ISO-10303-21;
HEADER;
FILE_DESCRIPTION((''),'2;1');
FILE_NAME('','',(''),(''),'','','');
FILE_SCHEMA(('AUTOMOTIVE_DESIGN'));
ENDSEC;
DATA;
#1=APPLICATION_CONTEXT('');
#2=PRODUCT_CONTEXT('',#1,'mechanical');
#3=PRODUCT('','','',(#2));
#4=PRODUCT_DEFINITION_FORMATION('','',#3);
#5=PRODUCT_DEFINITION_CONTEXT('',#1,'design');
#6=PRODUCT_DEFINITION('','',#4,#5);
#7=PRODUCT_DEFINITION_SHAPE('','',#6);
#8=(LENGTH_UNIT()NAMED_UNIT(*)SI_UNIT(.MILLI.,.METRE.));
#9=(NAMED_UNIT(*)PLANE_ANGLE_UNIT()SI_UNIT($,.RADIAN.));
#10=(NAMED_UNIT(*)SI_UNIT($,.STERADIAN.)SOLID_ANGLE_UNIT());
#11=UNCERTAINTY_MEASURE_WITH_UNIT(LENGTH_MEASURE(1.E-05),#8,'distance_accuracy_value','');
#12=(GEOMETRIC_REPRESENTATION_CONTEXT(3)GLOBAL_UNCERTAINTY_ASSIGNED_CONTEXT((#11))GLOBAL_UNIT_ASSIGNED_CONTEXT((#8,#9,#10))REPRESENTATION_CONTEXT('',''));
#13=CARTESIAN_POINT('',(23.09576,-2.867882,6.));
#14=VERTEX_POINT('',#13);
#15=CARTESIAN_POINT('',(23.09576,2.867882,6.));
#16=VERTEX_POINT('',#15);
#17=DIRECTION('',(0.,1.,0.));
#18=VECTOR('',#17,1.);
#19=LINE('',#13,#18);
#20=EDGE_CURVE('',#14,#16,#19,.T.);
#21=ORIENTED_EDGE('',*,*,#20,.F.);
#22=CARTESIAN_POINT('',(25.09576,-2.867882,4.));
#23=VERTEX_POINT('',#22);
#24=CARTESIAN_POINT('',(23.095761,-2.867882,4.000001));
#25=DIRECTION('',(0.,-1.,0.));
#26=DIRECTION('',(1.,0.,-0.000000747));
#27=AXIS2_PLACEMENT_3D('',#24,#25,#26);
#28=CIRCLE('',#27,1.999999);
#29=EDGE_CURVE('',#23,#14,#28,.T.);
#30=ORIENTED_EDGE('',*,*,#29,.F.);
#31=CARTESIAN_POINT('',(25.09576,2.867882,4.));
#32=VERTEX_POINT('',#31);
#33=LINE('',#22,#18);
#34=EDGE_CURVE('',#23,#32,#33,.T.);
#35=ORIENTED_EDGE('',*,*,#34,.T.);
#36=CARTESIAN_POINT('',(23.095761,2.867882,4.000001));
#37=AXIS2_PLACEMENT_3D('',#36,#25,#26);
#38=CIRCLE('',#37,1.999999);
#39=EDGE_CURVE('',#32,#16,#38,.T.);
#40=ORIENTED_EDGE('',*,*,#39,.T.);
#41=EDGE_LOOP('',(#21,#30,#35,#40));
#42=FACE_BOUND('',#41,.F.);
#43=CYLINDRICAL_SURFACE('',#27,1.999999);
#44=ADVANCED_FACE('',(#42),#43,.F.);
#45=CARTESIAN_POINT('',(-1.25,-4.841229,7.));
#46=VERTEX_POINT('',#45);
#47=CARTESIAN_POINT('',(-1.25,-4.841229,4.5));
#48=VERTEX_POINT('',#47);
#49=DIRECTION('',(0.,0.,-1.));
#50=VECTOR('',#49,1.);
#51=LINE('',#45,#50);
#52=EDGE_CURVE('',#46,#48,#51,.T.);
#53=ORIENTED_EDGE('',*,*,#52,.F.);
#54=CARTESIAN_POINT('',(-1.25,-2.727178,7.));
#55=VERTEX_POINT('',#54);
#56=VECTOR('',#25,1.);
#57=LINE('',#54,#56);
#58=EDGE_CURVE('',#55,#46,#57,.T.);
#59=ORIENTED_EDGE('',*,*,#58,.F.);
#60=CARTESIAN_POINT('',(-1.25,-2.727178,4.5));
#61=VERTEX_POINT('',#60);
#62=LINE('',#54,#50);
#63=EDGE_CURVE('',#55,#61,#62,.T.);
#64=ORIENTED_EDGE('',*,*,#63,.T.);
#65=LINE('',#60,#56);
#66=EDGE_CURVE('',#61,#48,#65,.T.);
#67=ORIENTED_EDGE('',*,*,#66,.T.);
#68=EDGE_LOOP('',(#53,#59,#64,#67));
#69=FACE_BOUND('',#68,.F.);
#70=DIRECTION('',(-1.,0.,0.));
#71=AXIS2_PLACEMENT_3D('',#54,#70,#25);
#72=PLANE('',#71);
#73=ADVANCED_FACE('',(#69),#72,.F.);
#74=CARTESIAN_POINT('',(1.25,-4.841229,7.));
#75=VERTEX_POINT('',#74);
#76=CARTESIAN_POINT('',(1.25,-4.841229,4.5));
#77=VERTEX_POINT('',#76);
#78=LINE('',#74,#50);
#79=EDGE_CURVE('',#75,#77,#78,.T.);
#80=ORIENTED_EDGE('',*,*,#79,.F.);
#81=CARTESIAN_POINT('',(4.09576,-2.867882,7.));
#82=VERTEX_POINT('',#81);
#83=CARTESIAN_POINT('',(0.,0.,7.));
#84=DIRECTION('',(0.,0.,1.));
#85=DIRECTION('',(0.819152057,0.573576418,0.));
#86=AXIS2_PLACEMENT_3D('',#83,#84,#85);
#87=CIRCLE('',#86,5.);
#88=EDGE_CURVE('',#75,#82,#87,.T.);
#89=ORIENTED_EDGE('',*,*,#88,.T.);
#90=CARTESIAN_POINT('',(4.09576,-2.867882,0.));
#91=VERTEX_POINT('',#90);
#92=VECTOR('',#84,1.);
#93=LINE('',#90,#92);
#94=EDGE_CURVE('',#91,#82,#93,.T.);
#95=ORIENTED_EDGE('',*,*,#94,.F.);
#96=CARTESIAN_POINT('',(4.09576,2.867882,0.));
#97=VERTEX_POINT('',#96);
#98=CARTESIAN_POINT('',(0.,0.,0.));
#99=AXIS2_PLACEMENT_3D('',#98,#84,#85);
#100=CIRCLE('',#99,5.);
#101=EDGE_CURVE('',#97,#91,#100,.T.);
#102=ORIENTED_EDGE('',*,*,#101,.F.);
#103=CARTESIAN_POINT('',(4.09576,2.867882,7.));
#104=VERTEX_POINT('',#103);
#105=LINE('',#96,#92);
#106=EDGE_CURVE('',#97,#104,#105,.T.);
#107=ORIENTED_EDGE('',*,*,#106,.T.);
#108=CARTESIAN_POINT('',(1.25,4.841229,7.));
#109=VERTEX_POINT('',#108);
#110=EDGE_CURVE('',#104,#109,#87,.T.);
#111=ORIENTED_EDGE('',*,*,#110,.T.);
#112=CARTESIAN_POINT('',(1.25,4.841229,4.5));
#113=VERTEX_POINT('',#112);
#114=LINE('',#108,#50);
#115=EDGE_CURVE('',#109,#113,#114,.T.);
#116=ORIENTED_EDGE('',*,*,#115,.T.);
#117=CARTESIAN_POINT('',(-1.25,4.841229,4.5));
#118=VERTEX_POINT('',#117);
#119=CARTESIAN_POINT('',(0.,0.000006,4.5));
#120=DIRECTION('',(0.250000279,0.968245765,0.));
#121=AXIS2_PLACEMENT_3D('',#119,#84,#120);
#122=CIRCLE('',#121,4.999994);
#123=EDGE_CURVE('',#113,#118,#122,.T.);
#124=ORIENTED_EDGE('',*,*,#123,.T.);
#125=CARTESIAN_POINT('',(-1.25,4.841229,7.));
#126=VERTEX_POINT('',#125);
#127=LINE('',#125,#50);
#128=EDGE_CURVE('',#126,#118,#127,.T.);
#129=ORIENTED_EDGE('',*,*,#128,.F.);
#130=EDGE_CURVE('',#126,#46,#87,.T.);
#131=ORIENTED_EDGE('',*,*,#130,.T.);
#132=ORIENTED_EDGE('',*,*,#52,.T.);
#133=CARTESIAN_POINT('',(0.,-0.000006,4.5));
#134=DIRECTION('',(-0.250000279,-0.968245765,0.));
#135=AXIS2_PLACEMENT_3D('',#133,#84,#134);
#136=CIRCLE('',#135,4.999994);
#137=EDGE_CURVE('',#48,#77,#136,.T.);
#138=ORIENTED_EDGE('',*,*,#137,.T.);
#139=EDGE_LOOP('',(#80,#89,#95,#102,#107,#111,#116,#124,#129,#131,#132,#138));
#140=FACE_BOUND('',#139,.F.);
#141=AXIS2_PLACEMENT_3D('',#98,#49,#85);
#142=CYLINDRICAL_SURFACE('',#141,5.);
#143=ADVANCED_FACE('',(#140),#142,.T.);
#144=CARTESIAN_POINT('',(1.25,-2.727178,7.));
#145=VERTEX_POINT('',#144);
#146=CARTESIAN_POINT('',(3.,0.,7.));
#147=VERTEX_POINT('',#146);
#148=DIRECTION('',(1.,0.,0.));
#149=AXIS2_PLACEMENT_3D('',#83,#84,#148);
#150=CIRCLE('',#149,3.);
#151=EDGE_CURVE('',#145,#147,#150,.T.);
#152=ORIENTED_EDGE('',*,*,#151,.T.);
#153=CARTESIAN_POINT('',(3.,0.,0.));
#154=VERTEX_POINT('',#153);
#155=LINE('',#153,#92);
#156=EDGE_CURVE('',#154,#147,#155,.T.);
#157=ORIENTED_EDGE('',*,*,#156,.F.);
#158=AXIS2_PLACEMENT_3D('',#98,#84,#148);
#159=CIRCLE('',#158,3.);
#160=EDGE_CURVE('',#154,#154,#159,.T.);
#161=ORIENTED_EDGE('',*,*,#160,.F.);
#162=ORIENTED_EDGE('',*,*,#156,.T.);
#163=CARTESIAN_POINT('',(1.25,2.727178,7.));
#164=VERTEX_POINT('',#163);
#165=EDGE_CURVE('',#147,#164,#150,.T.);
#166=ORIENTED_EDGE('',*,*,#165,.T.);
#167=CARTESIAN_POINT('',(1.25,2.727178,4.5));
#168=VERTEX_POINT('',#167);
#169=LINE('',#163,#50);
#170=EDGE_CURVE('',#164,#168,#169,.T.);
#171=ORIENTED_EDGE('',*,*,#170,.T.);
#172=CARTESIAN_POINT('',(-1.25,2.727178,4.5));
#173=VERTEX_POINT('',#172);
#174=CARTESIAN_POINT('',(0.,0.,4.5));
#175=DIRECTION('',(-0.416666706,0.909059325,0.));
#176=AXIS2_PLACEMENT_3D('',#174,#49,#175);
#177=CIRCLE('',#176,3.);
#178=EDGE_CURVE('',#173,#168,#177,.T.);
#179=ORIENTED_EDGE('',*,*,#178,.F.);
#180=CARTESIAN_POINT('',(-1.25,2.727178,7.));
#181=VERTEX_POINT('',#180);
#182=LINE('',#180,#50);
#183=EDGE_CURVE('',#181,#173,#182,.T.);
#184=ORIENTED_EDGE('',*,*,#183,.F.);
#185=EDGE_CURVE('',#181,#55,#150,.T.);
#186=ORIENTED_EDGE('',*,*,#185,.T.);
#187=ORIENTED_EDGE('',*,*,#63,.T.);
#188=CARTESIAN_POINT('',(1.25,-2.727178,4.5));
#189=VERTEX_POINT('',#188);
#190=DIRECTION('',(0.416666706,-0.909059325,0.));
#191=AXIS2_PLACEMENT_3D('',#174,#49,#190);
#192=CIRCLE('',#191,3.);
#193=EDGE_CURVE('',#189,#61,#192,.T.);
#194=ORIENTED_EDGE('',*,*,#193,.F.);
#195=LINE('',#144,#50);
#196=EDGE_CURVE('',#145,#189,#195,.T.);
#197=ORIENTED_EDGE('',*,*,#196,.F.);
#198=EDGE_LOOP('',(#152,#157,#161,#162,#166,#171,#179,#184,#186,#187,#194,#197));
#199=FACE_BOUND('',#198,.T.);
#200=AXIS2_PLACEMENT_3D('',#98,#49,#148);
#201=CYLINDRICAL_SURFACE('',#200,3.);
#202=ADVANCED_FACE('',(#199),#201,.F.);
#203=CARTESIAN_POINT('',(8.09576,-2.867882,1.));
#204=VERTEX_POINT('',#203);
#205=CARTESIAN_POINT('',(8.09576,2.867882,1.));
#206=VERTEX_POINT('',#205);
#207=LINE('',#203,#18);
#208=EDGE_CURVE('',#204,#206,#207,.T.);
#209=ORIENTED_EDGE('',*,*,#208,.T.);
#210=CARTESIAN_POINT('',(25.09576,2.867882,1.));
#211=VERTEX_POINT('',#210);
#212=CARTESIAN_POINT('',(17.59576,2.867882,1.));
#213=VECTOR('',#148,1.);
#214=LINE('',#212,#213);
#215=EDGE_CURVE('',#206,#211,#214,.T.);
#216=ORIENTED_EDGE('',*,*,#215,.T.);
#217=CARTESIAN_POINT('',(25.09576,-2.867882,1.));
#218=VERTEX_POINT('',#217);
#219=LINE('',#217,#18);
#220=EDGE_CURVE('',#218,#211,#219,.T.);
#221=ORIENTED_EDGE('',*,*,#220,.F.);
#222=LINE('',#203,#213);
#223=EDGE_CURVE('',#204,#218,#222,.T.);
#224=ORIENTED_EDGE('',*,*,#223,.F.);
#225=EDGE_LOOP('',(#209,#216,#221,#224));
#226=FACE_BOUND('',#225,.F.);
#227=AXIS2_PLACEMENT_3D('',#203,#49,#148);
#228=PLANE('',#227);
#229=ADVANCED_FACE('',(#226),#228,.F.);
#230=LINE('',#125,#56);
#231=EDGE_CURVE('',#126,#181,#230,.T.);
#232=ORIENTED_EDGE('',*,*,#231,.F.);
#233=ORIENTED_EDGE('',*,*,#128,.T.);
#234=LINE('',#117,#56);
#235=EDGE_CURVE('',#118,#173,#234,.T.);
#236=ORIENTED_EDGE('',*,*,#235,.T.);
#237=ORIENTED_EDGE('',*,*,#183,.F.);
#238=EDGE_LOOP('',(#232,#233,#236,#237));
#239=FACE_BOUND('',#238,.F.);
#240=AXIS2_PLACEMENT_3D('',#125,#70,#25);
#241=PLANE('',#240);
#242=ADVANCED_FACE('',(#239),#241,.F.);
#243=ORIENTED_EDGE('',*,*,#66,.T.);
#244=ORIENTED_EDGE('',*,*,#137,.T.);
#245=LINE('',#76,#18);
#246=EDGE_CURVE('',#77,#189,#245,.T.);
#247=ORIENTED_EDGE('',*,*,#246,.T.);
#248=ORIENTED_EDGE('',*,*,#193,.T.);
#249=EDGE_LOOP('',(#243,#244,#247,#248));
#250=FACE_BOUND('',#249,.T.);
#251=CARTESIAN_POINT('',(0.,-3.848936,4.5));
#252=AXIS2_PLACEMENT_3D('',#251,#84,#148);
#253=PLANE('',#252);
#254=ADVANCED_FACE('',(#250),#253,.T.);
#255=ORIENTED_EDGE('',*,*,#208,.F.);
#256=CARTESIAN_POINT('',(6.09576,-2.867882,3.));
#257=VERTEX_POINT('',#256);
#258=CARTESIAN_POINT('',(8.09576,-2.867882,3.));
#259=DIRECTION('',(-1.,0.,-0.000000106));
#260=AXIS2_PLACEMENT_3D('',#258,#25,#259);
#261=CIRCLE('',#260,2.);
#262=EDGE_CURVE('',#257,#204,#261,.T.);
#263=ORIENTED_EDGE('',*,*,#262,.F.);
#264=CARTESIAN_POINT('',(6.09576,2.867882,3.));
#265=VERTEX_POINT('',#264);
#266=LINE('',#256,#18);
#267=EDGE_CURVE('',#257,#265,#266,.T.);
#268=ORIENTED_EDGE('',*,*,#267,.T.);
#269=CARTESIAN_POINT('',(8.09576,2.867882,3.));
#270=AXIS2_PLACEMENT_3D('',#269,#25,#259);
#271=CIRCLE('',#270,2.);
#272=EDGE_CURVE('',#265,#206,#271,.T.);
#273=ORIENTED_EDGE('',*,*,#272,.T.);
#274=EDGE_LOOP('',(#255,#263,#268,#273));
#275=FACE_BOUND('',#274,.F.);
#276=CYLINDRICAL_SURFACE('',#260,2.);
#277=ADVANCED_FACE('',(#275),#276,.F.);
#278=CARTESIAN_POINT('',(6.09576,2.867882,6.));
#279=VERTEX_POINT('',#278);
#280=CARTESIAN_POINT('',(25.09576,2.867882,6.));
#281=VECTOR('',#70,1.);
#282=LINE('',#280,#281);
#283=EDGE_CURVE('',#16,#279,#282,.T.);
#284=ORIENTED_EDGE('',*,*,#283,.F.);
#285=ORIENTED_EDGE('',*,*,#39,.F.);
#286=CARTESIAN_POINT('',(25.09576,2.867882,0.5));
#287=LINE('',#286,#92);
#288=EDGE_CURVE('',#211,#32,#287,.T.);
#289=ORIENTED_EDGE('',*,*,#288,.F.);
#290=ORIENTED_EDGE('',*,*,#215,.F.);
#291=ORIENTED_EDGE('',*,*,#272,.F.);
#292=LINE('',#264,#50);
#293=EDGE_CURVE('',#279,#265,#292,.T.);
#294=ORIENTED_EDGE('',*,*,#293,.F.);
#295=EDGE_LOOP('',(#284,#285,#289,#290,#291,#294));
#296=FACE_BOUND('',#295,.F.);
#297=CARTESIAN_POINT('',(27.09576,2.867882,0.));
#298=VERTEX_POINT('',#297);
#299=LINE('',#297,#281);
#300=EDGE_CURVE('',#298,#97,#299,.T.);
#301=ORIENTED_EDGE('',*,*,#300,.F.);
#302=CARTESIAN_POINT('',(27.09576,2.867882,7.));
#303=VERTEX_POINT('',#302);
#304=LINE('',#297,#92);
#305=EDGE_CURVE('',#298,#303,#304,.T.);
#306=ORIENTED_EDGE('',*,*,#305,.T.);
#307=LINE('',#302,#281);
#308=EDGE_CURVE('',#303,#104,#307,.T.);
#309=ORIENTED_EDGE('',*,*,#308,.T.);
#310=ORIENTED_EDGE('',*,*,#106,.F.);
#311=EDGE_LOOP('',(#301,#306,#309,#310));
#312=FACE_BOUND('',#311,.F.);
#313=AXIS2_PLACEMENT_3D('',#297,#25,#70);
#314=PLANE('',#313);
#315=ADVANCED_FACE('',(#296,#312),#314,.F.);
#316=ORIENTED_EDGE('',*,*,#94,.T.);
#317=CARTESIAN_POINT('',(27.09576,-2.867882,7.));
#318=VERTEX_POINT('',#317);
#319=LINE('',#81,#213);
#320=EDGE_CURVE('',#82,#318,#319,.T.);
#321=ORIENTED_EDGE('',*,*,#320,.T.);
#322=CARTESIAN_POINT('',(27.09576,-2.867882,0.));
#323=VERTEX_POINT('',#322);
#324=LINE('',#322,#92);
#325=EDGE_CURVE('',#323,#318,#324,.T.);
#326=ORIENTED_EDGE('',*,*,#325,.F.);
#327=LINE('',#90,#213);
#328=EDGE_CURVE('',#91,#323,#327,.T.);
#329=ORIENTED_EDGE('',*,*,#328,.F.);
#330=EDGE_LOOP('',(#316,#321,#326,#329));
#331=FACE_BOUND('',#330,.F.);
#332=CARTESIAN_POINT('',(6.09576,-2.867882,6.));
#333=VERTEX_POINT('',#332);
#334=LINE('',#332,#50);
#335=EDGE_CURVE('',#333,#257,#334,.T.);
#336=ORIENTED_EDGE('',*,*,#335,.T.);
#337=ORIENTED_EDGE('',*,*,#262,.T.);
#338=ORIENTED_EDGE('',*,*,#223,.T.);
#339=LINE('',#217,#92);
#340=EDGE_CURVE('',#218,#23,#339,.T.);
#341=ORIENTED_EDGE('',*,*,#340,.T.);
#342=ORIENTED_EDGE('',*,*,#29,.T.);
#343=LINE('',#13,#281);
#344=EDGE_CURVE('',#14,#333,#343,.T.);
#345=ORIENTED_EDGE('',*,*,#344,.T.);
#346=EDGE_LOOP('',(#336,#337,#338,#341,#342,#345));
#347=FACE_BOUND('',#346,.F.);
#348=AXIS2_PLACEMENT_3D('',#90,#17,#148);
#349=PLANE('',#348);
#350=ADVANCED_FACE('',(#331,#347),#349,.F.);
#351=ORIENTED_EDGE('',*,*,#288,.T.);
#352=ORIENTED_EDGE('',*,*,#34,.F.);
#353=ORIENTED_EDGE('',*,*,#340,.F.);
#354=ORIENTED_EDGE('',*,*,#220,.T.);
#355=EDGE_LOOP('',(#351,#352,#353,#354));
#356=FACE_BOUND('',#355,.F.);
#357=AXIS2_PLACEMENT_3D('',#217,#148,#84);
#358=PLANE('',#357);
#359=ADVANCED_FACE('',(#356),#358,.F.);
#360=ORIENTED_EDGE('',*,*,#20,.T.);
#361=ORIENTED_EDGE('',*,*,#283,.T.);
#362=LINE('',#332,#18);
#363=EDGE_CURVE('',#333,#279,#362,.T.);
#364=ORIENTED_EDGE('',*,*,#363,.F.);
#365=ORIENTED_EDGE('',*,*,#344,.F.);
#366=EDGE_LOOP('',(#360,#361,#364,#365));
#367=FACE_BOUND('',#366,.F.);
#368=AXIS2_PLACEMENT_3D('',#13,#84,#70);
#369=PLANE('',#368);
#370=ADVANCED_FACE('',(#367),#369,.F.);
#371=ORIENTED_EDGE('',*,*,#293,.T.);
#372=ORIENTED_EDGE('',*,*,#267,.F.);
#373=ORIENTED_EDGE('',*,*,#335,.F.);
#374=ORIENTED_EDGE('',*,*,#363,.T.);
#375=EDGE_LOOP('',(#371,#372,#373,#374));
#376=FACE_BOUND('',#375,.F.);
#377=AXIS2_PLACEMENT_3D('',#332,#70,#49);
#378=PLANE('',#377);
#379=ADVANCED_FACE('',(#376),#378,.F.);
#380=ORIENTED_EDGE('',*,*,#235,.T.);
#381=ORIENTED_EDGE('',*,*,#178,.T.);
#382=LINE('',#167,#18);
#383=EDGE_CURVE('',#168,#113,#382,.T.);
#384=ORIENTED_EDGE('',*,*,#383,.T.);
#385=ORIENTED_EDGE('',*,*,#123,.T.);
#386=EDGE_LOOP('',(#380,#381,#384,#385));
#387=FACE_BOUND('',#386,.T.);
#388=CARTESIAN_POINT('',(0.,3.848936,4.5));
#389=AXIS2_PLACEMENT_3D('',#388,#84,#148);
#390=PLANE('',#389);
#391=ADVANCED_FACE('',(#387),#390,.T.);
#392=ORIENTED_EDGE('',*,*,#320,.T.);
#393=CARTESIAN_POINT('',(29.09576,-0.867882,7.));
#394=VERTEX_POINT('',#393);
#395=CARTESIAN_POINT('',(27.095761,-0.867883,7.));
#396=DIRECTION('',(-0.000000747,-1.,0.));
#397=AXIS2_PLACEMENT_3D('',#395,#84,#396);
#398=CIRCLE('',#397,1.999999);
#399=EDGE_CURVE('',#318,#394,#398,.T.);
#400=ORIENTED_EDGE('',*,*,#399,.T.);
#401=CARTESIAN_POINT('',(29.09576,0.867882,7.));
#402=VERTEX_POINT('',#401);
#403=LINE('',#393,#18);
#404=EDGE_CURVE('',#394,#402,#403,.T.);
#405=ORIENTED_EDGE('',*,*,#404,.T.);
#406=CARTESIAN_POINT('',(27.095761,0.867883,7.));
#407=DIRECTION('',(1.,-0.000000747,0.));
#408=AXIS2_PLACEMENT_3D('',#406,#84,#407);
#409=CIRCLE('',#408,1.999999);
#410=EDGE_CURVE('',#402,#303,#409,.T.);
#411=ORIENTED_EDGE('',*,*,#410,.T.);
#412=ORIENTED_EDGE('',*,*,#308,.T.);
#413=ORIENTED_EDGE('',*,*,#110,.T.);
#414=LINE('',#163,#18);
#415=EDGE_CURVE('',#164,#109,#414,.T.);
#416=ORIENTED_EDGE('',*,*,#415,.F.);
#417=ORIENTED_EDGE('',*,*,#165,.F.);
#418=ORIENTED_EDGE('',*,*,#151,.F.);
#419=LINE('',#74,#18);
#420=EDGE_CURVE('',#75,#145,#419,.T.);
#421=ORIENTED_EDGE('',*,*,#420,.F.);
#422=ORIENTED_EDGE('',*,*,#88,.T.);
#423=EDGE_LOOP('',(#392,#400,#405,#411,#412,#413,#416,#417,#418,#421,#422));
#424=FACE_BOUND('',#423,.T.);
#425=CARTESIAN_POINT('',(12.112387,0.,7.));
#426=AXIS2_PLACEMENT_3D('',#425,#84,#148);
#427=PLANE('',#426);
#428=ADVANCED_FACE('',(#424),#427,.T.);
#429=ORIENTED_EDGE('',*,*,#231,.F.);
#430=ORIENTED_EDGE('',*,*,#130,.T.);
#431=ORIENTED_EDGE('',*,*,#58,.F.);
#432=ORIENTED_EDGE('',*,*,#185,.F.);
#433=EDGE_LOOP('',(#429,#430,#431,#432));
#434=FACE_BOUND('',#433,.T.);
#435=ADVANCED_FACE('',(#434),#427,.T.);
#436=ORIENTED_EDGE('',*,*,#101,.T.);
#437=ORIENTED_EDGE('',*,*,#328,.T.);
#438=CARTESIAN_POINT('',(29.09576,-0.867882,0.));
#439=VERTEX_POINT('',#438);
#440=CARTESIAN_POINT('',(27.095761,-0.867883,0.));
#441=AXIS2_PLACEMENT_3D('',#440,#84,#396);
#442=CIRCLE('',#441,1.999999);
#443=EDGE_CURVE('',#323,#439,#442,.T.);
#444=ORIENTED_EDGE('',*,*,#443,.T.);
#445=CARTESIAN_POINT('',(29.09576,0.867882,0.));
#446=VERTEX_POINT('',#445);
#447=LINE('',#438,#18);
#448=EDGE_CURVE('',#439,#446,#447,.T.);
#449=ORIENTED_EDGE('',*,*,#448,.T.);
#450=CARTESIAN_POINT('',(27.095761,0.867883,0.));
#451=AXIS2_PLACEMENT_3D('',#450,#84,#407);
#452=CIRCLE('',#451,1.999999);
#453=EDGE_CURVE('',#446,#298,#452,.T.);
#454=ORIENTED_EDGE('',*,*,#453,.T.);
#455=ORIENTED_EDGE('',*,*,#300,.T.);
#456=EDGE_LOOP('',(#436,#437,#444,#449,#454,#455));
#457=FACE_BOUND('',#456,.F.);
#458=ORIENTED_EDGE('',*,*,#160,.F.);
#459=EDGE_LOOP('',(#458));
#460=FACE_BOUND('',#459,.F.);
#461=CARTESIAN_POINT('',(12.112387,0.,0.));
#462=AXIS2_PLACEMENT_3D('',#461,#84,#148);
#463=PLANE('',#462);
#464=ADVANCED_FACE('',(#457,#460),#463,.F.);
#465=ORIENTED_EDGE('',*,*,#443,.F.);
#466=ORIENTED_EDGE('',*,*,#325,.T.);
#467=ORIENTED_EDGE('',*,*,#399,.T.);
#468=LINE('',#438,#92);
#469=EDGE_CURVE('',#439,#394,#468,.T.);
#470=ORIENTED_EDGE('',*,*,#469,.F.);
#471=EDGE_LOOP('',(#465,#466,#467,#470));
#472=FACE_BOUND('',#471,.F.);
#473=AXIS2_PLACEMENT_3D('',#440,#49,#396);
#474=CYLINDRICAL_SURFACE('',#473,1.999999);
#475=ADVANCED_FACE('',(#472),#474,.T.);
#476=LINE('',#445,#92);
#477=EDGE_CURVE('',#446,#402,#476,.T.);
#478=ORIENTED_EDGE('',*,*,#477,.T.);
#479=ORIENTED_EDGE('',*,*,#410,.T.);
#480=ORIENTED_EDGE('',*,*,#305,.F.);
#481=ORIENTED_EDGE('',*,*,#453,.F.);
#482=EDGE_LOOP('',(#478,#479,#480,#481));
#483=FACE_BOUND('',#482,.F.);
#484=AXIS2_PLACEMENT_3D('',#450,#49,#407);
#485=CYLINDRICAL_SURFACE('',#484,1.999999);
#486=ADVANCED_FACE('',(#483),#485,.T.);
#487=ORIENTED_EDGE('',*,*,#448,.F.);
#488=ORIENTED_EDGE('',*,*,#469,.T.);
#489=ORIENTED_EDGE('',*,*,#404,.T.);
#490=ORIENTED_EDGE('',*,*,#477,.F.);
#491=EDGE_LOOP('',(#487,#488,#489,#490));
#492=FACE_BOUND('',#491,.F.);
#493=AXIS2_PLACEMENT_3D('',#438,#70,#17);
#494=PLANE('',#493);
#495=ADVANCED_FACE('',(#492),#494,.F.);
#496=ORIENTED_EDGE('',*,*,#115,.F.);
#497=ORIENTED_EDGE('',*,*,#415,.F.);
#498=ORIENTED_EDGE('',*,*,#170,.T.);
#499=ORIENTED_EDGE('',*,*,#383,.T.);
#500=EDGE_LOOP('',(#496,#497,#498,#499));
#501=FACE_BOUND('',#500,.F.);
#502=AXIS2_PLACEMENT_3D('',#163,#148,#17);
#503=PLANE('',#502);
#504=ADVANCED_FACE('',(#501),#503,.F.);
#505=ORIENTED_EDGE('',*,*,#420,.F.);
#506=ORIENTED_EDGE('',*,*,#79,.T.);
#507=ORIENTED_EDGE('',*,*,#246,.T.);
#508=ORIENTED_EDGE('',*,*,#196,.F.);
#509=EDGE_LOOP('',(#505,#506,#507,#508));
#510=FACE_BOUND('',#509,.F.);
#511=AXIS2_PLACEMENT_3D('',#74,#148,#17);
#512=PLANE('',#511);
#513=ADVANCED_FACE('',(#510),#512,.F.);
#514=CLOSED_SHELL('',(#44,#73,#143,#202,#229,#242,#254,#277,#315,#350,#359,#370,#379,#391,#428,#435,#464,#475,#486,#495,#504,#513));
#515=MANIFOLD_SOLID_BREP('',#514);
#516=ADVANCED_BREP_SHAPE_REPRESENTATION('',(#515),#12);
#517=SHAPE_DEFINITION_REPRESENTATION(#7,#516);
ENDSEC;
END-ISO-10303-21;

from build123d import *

# Parameters (mm, degrees)
F0_R     = 3
F1_DEPTH = 7
F3_DEPTH = 25
F5_DEPTH = 2.5


with BuildPart() as f1:
    # F0 (on Top) → F1 (new body)
    with BuildSketch(Plane.XY):
        with BuildLine():
            Line((27.09576, 2.867882), (4.09576, 2.867882))
            ThreePointArc((4.09576, 2.867882), (-5, 0), (4.09576, -2.867882))
            Line((4.09576, -2.867882), (27.09576, -2.867882))
            ThreePointArc((27.09576, -2.867882), (28.509974, -2.282096), (29.09576, -0.867882))
            Line((29.09576, -0.867882), (29.09576, 0.867882))
            ThreePointArc((29.09576, 0.867882), (28.509974, 2.282096), (27.09576, 2.867882))
        make_face()
        Circle(F0_R, mode=Mode.SUBTRACT)
    extrude(amount=F1_DEPTH)

    # F2 (on face) → F3 (cut)
    with BuildSketch(Plane.XZ.offset(2.867882)):
        with BuildLine():
            Line((23.09576, 6), (6.09576, 6))
            Line((6.09576, 6), (6.09576, 3))
            ThreePointArc((6.09576, 3), (6.681547, 1.585786), (8.09576, 1))
            Line((8.09576, 1), (25.09576, 1))
            Line((25.09576, 1), (25.09576, 4))
            ThreePointArc((25.09576, 4), (24.509974, 5.414214), (23.09576, 6))
        make_face()
    extrude(amount=-F3_DEPTH, mode=Mode.SUBTRACT)

    # F4 (on face) → F5 (cut)
    with BuildSketch(Plane.XY.offset(7)):
        with BuildLine():
            Line((-1.25, 4.841229), (-1.25, 2.727178))
            ThreePointArc((-1.25, 2.727178), (0, 3), (1.25, 2.727178))
            Line((1.25, 2.727178), (1.25, 4.841229))
            ThreePointArc((1.25, 4.841229), (0, 5), (-1.25, 4.841229))
        make_face()
        with BuildLine():
            ThreePointArc((1.25, -2.727178), (0, -3), (-1.25, -2.727178))
            Line((-1.25, -2.727178), (-1.25, -4.841229))
            ThreePointArc((-1.25, -4.841229), (0, -5), (1.25, -4.841229))
            Line((1.25, -4.841229), (1.25, -2.727178))
        make_face()
    extrude(amount=-F5_DEPTH, mode=Mode.SUBTRACT)


solid = f1.part
